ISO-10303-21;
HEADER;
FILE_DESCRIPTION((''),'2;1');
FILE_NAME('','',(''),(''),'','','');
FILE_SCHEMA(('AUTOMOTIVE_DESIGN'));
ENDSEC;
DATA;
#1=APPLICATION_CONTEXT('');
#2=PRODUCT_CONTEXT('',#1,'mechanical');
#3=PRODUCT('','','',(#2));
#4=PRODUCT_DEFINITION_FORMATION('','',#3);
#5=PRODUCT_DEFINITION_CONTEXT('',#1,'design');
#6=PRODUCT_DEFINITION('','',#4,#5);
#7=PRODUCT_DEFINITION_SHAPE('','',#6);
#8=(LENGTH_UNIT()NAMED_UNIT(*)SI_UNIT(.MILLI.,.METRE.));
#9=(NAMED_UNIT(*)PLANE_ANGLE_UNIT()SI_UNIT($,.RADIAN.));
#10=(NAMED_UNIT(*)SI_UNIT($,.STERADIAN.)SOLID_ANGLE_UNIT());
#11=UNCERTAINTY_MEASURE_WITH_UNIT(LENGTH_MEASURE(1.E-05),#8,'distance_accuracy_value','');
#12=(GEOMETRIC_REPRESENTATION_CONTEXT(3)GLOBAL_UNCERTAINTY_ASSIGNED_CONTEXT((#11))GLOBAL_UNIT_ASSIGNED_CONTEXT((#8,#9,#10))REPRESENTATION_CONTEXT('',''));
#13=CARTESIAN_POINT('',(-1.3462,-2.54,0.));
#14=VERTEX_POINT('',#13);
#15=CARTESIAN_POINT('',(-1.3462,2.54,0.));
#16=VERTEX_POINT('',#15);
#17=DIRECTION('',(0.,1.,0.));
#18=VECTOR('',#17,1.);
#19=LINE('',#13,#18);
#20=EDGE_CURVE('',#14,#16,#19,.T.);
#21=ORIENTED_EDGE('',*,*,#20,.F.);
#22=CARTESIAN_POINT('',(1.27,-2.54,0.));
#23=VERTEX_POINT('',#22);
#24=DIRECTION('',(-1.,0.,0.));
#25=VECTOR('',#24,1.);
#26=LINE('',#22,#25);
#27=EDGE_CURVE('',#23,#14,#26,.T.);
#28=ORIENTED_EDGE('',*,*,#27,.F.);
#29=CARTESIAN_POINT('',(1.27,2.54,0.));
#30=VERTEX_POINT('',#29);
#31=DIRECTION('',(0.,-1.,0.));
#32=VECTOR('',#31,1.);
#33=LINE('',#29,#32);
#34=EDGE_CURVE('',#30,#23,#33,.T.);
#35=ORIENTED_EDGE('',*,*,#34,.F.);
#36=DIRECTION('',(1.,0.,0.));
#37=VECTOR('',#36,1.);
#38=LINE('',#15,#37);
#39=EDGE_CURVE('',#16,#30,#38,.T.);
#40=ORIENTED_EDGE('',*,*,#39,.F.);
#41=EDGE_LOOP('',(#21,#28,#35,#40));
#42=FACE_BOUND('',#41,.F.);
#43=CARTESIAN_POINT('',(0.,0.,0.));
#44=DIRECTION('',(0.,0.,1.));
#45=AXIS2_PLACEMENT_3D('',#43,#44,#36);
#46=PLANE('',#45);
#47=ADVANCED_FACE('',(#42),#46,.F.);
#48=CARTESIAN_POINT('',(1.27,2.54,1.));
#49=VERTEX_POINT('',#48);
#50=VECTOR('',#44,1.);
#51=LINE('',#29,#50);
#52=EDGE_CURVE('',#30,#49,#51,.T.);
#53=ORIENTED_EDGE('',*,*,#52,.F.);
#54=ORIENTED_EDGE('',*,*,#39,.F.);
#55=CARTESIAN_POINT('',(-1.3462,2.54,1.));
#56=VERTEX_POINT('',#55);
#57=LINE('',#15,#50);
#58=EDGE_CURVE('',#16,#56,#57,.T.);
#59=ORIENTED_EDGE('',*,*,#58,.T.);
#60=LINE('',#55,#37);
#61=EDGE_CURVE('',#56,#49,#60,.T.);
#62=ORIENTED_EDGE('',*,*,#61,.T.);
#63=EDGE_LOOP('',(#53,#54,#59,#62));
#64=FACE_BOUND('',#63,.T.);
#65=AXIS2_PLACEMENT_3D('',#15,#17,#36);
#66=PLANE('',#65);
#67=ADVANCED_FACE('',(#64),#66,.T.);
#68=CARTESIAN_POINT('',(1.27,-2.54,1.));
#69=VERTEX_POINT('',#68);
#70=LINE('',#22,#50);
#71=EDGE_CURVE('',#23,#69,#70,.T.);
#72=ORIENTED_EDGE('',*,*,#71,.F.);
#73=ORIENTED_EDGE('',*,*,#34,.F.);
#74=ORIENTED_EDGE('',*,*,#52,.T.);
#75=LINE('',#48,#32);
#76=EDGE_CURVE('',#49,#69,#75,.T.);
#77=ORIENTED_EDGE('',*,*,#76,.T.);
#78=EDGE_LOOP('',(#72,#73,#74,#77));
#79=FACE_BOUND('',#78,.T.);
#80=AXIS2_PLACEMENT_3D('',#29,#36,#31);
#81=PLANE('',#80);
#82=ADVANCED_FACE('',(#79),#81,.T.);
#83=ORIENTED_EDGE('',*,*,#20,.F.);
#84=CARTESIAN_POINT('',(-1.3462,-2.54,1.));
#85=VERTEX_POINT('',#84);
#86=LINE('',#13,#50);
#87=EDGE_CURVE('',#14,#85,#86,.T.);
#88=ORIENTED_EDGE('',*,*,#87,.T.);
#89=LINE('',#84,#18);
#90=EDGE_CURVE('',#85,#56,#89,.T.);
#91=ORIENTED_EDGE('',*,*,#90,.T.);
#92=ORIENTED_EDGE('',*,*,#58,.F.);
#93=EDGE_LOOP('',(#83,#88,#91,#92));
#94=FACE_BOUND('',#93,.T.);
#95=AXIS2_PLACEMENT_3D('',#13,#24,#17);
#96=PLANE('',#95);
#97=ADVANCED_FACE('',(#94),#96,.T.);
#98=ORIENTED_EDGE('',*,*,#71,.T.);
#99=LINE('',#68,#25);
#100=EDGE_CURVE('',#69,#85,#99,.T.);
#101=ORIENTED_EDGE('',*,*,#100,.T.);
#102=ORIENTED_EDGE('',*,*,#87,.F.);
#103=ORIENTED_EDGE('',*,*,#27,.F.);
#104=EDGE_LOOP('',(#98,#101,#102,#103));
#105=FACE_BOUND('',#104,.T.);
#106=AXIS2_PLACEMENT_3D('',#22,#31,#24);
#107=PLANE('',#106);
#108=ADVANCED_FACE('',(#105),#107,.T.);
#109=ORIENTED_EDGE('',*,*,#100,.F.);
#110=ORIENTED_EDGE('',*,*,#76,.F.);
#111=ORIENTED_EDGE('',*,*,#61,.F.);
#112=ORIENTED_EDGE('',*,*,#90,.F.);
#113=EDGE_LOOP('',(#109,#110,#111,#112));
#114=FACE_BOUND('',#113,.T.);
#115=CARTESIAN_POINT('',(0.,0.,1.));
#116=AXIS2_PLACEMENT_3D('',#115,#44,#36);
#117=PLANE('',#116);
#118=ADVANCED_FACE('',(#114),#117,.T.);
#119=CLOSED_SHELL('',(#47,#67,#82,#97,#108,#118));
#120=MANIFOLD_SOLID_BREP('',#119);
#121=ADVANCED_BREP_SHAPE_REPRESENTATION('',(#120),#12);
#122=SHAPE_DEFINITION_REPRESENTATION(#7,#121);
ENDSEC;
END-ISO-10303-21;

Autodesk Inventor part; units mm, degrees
ref_plane "YZ Plane" through (0, 0, 0) normal (1, 0, 0) x (0, 1, 0)
ref_plane "XZ Plane" through (0, 0, 0) normal (0, 1, 0) x (-1, 0, 0)
ref_plane "XY Plane" through (0, 0, 0) normal (0, 0, 1) x (1, 0, 0)
sketch "JP1M, CTS_75" plane through (0, 0, 0) normal (0, 0, 1) x (1, 0, 0)
  line L0 (-1.3462, 2.54) -> (1.27, 2.54)
  line L1 (1.27, 2.54) -> (1.27, -2.54)
  line L2 (1.27, -2.54) -> (-1.3462, -2.54)
  line L3 (-1.3462, -2.54) -> (-1.3462, 2.54)
extrude "Extrusion1" add sketch "JP1M, CTS_75" along normal blind 1
properties part number "CTS"
